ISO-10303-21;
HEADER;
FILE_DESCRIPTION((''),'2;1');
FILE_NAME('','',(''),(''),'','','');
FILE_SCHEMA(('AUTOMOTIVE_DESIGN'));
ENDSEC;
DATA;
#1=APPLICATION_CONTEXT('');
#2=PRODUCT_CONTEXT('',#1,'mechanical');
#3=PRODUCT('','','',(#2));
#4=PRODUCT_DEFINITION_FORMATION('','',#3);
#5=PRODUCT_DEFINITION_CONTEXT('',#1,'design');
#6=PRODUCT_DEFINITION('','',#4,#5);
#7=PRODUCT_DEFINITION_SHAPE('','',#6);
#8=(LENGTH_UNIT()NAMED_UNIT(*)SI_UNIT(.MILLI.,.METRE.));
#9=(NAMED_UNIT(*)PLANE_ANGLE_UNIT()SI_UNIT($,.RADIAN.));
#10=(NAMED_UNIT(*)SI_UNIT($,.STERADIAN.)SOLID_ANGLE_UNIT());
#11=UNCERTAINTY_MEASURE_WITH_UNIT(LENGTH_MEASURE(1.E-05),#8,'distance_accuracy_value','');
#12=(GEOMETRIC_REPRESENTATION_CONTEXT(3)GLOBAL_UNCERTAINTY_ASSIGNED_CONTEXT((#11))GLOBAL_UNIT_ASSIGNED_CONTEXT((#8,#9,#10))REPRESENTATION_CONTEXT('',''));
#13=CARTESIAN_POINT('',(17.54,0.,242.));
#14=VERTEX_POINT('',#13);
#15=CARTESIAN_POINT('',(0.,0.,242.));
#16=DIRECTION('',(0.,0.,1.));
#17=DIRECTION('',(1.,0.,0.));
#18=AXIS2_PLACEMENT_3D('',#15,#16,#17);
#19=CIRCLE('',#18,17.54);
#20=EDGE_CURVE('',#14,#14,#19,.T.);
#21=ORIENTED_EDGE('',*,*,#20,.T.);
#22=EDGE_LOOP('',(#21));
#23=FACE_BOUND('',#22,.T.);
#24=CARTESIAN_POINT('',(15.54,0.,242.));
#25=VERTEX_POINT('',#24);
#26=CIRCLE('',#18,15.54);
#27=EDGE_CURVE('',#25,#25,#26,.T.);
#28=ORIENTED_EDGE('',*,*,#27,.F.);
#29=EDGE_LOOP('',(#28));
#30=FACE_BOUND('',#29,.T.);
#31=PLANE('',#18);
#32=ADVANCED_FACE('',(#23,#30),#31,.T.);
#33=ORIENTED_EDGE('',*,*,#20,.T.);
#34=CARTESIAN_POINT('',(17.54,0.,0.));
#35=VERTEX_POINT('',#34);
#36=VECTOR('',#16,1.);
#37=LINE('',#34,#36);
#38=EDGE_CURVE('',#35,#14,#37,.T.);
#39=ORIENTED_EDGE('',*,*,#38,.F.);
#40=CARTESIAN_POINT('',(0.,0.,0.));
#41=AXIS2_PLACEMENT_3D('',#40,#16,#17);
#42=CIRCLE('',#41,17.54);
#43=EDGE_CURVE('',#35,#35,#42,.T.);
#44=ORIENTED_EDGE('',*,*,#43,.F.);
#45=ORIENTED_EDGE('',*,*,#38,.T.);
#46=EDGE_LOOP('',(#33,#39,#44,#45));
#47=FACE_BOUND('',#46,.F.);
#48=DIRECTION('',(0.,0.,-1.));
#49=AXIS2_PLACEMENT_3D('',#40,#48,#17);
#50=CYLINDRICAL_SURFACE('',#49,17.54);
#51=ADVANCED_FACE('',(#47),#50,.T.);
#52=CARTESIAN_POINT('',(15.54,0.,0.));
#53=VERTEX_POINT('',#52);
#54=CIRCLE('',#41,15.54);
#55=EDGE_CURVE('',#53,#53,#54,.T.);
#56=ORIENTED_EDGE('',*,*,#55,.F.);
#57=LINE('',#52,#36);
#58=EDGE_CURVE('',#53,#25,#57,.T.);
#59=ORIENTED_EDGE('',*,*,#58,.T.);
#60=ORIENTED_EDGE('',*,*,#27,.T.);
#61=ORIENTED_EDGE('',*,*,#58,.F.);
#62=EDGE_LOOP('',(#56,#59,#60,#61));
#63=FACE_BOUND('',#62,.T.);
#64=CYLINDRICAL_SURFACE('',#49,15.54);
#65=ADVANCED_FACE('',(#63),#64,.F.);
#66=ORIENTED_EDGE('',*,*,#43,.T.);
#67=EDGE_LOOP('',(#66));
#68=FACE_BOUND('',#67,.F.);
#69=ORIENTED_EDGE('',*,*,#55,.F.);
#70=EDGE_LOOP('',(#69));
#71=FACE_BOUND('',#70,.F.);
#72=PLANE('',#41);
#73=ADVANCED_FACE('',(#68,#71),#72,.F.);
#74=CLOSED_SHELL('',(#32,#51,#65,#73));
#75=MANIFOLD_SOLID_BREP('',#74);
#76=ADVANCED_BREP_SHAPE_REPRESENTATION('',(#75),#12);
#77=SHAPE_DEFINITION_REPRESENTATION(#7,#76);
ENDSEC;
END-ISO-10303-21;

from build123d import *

# Parameters (mm, degrees)
CROQUIS1_R              = 17.54
CROQUIS1_R_2            = 15.54
SALIENTE_EXTRUIR1_DEPTH = 242


with BuildPart() as part:
    # Croquis1 → Saliente-Extruir1 (new body)
    with BuildSketch(Plane.XY):
        Circle(CROQUIS1_R)
        Circle(CROQUIS1_R_2, mode=Mode.SUBTRACT)
    extrude(amount=SALIENTE_EXTRUIR1_DEPTH)


solid = part.part
